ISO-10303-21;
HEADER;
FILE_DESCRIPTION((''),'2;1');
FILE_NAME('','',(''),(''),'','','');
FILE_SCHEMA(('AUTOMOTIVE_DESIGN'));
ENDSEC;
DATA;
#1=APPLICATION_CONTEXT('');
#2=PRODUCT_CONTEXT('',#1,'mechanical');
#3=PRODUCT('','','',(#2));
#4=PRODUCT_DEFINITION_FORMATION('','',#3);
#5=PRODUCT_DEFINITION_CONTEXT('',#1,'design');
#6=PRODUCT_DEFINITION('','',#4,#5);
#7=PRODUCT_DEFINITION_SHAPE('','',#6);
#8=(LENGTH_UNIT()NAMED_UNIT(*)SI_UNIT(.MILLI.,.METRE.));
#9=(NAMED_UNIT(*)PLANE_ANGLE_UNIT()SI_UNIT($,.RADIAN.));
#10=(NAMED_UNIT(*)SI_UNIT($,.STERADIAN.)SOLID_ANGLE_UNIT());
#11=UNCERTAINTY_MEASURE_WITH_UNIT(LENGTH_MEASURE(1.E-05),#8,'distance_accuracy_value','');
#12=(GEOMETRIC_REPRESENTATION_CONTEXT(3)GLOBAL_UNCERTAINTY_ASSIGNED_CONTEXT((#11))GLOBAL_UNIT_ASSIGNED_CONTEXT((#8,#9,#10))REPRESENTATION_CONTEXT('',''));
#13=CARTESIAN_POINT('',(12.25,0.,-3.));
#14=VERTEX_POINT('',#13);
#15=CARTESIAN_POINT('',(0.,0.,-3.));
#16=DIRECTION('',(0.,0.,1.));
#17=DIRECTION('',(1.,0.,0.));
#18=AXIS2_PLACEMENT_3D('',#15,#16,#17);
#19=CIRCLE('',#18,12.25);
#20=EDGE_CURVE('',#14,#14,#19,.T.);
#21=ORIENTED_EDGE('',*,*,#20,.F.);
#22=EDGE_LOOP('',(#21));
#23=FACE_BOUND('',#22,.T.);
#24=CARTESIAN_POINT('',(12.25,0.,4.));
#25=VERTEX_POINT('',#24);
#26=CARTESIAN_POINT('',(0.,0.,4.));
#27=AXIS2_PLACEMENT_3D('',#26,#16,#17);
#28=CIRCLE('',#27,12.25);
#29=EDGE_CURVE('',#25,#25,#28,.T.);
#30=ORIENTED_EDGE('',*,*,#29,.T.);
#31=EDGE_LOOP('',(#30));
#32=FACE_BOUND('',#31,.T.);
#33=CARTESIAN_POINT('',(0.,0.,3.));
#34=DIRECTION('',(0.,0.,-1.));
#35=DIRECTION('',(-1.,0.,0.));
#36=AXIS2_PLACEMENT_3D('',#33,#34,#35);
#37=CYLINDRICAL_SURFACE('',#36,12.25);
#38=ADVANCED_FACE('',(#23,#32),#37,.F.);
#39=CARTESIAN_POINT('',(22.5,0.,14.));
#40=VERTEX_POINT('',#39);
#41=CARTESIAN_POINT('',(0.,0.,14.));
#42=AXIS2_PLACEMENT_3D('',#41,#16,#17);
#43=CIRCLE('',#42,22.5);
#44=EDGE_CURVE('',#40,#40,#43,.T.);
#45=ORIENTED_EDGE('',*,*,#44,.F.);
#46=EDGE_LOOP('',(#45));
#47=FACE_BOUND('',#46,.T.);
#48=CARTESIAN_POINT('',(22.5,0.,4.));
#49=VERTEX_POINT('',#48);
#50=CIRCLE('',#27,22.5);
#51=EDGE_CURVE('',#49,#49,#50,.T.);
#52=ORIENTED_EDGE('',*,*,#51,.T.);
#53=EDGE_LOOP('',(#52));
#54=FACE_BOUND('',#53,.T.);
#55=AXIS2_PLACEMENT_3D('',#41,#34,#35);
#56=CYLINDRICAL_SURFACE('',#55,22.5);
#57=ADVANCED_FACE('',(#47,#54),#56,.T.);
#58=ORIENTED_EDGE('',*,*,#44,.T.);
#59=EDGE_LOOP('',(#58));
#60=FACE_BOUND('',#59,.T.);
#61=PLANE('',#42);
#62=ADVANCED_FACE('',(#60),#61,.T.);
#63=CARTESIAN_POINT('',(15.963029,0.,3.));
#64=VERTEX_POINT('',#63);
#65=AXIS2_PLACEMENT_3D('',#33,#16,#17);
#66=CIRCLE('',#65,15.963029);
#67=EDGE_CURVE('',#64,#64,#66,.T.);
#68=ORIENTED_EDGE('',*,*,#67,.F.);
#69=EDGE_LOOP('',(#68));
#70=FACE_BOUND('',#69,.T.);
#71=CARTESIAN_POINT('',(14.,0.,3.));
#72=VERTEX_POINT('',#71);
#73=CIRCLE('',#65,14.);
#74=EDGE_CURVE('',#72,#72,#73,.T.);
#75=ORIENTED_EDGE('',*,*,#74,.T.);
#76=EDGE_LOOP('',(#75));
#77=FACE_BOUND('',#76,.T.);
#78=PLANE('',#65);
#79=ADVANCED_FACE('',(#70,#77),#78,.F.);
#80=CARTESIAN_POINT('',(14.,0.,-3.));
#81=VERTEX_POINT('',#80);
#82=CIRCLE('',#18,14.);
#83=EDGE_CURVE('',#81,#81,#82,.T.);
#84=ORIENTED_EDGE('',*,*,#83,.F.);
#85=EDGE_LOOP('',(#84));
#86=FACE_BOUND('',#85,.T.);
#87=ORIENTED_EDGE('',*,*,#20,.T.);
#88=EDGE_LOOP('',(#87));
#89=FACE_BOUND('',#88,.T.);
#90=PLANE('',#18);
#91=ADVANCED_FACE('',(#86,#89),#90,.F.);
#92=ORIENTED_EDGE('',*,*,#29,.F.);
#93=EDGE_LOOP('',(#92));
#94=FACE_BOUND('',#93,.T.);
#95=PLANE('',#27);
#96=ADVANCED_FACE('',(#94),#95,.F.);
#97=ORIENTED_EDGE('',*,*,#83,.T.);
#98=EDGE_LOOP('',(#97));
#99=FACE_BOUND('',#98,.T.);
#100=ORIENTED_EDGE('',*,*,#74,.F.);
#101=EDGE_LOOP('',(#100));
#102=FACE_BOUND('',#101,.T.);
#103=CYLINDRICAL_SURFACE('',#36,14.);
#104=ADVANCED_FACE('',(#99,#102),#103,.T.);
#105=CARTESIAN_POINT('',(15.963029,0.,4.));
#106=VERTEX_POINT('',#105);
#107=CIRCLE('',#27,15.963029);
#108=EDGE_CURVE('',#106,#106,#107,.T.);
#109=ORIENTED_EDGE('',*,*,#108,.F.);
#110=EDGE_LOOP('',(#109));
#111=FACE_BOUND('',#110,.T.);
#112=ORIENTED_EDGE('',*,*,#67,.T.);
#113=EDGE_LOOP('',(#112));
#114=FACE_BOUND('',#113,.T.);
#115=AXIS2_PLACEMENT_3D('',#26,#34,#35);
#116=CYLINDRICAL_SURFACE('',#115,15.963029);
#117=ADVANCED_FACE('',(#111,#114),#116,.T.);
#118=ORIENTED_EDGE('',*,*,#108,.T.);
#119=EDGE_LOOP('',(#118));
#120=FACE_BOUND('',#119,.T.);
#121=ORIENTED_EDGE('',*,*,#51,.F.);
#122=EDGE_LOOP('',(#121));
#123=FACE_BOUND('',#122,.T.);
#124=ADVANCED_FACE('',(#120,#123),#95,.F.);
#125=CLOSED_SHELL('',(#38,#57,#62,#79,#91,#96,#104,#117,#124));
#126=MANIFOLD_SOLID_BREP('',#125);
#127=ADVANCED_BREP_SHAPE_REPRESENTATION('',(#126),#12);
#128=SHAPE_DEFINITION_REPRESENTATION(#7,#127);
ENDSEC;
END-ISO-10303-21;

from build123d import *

# Parameters (mm, degrees)
SKETCH_1_R      = 14
SKETCH_1_R_2    = 12.25
EXTRUDE_1_DEPTH = 3
SKETCH_2_R      = 15.963029432
SKETCH_2_R_2    = 12.25
EXTRUDE_2_DEPTH = 1
SKETCH_3_R      = 22.5
EXTRUDE_3_DEPTH = 10


with BuildPart() as part:
    # 草图1 → 凸台-拉伸1 (new, symmetric)
    with BuildSketch(Plane.XY):
        Circle(SKETCH_1_R)
        Circle(SKETCH_1_R_2, mode=Mode.SUBTRACT)
    extrude(amount=EXTRUDE_1_DEPTH, both=True)

    # 草图2 → 凸台-拉伸2 (add)
    with BuildSketch(Plane.XY.offset(3)):
        Circle(SKETCH_2_R)
        Circle(SKETCH_2_R_2, mode=Mode.SUBTRACT)
    extrude(amount=EXTRUDE_2_DEPTH)

    # 草图3 → 凸台-拉伸3 (add)
    with BuildSketch(Plane.XY.offset(4)):
        Circle(SKETCH_3_R)
    extrude(amount=EXTRUDE_3_DEPTH)


solid = part.part
